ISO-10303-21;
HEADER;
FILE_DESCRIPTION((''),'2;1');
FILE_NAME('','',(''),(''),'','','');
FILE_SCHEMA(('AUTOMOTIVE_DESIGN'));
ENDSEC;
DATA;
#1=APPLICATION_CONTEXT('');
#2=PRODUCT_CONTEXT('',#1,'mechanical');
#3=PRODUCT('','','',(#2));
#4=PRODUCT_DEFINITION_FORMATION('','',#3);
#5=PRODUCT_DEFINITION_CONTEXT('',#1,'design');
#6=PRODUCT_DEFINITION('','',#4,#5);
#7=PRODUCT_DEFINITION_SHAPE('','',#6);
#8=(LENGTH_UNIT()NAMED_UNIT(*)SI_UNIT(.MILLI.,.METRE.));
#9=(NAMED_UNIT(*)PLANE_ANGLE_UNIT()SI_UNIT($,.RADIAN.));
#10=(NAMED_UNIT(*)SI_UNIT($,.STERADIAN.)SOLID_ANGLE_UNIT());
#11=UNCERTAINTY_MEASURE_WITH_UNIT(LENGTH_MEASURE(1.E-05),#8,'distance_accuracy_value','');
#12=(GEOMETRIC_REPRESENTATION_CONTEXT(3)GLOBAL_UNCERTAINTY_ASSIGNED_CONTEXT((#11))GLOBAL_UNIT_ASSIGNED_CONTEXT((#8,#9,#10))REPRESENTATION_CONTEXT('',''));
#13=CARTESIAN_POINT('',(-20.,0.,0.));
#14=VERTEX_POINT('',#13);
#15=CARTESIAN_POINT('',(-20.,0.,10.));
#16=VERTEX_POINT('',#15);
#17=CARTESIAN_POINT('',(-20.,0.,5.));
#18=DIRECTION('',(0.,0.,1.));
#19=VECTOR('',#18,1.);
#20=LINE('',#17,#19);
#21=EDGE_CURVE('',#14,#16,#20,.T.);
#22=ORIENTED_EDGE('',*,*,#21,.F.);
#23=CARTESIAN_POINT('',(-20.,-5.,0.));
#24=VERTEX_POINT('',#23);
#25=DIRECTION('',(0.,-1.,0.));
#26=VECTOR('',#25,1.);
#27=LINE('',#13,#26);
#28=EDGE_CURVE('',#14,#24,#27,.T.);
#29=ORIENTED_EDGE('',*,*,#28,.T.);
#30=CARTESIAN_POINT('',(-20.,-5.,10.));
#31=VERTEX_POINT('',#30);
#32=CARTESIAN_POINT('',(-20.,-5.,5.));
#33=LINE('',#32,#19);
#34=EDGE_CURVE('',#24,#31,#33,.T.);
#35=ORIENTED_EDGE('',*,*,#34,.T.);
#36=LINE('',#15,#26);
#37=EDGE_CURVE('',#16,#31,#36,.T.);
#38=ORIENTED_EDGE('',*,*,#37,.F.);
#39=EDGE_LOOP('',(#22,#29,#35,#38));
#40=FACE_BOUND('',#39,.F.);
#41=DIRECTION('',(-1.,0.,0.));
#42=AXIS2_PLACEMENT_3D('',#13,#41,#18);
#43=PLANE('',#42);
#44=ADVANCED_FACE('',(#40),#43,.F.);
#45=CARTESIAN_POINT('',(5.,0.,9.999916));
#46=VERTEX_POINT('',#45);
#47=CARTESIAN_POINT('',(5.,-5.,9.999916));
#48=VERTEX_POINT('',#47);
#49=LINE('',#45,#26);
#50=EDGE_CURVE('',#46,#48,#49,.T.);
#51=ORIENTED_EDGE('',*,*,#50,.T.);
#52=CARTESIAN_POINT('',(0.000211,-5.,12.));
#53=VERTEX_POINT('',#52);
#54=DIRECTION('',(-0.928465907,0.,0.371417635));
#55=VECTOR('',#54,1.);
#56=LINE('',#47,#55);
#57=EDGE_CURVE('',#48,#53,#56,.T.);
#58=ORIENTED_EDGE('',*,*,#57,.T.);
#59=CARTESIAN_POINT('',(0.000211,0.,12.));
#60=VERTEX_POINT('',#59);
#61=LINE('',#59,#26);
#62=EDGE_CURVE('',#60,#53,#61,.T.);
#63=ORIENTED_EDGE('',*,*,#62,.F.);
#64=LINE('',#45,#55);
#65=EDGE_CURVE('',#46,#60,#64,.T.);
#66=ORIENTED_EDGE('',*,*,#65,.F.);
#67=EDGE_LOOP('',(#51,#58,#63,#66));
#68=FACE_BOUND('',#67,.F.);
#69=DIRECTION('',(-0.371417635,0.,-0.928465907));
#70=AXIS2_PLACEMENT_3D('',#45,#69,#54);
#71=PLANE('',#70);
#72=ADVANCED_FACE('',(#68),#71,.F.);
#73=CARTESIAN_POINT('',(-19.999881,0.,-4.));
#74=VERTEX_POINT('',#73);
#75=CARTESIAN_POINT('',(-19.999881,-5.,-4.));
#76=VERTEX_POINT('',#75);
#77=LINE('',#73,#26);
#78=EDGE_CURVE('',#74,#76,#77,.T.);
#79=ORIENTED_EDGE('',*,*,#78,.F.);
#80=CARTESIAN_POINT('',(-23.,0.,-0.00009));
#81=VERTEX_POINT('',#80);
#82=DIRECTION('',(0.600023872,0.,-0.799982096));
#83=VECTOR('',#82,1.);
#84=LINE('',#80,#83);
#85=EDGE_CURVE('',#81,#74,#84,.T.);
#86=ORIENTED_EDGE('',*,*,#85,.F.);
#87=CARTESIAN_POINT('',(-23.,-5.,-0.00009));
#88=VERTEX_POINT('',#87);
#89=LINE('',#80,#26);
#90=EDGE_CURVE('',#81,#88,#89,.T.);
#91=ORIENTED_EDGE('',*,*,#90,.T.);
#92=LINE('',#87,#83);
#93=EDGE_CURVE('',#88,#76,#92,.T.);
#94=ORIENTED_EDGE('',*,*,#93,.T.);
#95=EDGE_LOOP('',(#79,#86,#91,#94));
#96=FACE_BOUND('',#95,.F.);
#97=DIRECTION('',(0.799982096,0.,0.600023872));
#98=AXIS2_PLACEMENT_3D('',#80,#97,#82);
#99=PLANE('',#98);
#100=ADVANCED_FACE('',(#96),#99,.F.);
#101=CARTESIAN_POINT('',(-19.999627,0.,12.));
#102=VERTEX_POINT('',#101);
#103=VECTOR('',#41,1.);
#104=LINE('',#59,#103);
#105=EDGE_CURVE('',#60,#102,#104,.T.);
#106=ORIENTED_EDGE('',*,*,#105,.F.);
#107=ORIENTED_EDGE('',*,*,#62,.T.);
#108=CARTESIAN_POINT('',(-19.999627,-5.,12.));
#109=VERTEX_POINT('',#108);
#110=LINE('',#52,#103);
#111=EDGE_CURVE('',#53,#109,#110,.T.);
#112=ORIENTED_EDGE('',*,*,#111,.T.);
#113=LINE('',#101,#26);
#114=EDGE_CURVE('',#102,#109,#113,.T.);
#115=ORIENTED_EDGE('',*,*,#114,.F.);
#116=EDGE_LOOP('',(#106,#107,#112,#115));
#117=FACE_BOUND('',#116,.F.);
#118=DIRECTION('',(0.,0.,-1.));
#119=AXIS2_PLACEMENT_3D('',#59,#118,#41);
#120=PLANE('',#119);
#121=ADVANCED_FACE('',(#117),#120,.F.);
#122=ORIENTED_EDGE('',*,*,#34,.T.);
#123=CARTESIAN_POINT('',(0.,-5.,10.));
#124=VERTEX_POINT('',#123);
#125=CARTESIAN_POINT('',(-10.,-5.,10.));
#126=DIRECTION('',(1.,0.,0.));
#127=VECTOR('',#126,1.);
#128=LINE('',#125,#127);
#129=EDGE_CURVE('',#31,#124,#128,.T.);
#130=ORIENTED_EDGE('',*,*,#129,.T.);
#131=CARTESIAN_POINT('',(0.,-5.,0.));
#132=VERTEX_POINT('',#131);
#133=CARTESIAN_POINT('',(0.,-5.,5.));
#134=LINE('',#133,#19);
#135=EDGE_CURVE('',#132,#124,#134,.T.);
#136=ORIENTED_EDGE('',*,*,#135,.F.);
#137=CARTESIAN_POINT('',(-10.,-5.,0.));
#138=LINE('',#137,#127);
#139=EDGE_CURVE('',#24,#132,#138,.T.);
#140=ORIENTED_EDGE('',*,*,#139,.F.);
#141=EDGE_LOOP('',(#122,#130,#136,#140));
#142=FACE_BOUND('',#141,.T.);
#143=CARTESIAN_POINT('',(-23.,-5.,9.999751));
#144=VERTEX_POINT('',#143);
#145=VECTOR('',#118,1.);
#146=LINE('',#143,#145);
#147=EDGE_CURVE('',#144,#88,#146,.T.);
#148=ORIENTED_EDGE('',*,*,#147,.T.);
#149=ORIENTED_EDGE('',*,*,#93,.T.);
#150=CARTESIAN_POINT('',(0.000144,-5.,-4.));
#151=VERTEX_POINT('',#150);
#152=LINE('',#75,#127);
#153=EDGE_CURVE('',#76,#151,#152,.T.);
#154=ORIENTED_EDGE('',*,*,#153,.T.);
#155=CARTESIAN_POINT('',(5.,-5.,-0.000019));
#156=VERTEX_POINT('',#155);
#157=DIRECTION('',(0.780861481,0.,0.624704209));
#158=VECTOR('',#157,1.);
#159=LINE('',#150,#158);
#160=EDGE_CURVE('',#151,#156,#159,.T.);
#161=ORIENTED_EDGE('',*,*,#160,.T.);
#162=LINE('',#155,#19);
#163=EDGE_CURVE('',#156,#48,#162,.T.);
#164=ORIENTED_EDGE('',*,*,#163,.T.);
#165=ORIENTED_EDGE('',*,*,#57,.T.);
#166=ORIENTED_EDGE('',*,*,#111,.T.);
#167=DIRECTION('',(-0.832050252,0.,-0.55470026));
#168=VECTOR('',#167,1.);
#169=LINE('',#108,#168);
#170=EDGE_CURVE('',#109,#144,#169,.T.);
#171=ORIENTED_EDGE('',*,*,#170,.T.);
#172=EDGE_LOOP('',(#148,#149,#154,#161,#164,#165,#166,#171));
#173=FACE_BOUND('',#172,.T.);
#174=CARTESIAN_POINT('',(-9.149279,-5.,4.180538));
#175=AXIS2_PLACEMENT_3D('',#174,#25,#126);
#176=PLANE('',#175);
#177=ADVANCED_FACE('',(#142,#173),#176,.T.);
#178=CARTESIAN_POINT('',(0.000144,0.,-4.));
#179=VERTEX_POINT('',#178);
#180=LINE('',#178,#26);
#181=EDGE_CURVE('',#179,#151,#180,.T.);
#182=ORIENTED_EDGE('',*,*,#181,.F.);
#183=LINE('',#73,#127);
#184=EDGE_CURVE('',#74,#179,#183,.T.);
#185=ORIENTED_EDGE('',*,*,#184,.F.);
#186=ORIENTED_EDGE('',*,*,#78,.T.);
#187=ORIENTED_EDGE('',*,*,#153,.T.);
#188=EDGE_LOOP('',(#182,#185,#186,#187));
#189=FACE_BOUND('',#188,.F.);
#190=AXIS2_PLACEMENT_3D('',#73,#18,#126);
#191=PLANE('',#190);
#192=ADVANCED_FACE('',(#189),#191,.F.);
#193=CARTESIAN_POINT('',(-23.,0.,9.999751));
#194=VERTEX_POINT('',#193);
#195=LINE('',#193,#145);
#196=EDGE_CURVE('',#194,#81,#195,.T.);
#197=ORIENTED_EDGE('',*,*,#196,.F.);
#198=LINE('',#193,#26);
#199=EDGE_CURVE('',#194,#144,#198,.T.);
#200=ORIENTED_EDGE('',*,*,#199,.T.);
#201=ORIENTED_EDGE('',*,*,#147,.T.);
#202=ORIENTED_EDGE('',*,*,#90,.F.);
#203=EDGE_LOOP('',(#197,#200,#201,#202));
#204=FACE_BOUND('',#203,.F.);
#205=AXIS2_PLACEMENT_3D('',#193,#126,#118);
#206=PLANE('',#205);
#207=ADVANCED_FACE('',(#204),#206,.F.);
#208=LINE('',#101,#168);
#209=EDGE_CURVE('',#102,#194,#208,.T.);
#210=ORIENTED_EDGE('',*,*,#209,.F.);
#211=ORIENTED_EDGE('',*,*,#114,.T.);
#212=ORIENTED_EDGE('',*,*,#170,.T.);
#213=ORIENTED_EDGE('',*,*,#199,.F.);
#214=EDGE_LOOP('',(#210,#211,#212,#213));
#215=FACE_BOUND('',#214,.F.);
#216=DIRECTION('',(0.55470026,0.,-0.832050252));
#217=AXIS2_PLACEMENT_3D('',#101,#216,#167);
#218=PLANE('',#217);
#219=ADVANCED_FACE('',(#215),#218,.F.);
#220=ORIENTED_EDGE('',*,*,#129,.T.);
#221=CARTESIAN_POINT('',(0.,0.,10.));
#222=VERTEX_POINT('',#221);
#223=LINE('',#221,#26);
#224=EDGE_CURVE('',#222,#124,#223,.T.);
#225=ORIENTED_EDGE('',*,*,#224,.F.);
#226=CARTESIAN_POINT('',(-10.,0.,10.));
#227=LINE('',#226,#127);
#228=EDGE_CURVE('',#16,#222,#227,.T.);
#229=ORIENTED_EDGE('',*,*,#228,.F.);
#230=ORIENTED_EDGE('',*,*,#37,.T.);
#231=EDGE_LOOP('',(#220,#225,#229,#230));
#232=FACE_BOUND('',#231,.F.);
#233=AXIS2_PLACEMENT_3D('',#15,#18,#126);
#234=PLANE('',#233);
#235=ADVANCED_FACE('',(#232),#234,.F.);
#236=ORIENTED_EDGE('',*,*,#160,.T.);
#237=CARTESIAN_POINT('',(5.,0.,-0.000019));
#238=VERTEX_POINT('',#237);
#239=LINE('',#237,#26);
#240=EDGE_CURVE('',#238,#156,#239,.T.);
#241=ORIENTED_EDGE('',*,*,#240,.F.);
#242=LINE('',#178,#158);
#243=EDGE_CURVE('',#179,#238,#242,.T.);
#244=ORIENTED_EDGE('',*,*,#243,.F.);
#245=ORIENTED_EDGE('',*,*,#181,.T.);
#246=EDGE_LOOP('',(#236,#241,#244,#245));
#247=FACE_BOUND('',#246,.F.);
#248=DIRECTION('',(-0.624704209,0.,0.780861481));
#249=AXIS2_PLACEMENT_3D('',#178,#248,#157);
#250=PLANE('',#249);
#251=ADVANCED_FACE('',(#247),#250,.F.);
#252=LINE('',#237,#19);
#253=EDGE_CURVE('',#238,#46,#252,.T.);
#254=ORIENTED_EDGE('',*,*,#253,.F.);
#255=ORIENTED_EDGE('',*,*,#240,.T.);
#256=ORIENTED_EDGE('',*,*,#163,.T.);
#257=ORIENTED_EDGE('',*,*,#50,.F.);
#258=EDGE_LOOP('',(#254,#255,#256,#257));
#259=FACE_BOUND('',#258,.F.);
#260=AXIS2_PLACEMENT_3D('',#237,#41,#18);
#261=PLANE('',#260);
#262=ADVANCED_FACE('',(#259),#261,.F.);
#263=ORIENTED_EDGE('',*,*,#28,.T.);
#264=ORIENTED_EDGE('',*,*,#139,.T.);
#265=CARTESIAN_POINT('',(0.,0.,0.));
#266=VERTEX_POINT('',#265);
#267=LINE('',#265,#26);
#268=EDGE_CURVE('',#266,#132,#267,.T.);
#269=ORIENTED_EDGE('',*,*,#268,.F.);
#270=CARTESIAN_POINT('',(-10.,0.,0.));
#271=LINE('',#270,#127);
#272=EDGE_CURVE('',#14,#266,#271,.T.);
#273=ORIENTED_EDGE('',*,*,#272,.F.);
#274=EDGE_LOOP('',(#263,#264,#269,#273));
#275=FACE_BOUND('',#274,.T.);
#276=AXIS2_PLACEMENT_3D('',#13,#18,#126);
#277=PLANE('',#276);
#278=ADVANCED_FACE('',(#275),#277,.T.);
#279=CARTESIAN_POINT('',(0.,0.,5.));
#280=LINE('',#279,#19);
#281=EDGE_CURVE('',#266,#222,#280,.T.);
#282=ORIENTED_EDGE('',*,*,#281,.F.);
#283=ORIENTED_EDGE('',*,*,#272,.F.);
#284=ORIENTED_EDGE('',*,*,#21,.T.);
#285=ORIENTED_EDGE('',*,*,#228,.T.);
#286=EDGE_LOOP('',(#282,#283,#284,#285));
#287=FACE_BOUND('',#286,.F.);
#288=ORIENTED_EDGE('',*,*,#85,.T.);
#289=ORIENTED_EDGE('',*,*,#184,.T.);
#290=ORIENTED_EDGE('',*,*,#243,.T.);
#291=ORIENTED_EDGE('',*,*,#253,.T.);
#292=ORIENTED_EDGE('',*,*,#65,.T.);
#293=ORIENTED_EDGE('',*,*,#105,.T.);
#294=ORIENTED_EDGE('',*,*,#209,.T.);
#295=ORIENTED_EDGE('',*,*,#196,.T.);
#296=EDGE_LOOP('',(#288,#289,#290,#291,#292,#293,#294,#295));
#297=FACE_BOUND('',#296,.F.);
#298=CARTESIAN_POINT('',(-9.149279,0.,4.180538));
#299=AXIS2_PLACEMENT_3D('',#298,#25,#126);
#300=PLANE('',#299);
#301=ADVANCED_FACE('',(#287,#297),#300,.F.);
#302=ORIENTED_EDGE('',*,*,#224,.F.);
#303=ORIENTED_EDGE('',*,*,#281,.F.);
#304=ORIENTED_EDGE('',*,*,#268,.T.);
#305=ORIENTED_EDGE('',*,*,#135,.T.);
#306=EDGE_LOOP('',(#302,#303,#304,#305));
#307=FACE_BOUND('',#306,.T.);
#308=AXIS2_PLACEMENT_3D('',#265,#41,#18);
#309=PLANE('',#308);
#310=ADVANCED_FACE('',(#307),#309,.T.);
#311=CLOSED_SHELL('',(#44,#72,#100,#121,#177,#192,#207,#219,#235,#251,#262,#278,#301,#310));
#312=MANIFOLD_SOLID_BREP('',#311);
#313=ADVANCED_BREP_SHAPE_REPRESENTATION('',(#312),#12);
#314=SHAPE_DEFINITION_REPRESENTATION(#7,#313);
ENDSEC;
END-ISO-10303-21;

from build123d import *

# Parameters (mm, degrees)
F0_W     = 20
F0_H     = 10
F1_DEPTH = 5


with BuildPart() as f1:
    # F0 (on Front) → F1 (new body)
    with BuildSketch(Plane.XZ):
        Polygon((-19.999881, -4), (0, -4), (0.000144, -4), (5, -1.9e-05), (5, 9.999916), (0.000211, 12), (-19.999627, 12), (-23, 9.999751), (-23, -9e-05), align=None)
        with Locations((-10, 5)):
            Rectangle(F0_W, F0_H, mode=Mode.SUBTRACT)
    extrude(amount=F1_DEPTH)


solid = f1.part
